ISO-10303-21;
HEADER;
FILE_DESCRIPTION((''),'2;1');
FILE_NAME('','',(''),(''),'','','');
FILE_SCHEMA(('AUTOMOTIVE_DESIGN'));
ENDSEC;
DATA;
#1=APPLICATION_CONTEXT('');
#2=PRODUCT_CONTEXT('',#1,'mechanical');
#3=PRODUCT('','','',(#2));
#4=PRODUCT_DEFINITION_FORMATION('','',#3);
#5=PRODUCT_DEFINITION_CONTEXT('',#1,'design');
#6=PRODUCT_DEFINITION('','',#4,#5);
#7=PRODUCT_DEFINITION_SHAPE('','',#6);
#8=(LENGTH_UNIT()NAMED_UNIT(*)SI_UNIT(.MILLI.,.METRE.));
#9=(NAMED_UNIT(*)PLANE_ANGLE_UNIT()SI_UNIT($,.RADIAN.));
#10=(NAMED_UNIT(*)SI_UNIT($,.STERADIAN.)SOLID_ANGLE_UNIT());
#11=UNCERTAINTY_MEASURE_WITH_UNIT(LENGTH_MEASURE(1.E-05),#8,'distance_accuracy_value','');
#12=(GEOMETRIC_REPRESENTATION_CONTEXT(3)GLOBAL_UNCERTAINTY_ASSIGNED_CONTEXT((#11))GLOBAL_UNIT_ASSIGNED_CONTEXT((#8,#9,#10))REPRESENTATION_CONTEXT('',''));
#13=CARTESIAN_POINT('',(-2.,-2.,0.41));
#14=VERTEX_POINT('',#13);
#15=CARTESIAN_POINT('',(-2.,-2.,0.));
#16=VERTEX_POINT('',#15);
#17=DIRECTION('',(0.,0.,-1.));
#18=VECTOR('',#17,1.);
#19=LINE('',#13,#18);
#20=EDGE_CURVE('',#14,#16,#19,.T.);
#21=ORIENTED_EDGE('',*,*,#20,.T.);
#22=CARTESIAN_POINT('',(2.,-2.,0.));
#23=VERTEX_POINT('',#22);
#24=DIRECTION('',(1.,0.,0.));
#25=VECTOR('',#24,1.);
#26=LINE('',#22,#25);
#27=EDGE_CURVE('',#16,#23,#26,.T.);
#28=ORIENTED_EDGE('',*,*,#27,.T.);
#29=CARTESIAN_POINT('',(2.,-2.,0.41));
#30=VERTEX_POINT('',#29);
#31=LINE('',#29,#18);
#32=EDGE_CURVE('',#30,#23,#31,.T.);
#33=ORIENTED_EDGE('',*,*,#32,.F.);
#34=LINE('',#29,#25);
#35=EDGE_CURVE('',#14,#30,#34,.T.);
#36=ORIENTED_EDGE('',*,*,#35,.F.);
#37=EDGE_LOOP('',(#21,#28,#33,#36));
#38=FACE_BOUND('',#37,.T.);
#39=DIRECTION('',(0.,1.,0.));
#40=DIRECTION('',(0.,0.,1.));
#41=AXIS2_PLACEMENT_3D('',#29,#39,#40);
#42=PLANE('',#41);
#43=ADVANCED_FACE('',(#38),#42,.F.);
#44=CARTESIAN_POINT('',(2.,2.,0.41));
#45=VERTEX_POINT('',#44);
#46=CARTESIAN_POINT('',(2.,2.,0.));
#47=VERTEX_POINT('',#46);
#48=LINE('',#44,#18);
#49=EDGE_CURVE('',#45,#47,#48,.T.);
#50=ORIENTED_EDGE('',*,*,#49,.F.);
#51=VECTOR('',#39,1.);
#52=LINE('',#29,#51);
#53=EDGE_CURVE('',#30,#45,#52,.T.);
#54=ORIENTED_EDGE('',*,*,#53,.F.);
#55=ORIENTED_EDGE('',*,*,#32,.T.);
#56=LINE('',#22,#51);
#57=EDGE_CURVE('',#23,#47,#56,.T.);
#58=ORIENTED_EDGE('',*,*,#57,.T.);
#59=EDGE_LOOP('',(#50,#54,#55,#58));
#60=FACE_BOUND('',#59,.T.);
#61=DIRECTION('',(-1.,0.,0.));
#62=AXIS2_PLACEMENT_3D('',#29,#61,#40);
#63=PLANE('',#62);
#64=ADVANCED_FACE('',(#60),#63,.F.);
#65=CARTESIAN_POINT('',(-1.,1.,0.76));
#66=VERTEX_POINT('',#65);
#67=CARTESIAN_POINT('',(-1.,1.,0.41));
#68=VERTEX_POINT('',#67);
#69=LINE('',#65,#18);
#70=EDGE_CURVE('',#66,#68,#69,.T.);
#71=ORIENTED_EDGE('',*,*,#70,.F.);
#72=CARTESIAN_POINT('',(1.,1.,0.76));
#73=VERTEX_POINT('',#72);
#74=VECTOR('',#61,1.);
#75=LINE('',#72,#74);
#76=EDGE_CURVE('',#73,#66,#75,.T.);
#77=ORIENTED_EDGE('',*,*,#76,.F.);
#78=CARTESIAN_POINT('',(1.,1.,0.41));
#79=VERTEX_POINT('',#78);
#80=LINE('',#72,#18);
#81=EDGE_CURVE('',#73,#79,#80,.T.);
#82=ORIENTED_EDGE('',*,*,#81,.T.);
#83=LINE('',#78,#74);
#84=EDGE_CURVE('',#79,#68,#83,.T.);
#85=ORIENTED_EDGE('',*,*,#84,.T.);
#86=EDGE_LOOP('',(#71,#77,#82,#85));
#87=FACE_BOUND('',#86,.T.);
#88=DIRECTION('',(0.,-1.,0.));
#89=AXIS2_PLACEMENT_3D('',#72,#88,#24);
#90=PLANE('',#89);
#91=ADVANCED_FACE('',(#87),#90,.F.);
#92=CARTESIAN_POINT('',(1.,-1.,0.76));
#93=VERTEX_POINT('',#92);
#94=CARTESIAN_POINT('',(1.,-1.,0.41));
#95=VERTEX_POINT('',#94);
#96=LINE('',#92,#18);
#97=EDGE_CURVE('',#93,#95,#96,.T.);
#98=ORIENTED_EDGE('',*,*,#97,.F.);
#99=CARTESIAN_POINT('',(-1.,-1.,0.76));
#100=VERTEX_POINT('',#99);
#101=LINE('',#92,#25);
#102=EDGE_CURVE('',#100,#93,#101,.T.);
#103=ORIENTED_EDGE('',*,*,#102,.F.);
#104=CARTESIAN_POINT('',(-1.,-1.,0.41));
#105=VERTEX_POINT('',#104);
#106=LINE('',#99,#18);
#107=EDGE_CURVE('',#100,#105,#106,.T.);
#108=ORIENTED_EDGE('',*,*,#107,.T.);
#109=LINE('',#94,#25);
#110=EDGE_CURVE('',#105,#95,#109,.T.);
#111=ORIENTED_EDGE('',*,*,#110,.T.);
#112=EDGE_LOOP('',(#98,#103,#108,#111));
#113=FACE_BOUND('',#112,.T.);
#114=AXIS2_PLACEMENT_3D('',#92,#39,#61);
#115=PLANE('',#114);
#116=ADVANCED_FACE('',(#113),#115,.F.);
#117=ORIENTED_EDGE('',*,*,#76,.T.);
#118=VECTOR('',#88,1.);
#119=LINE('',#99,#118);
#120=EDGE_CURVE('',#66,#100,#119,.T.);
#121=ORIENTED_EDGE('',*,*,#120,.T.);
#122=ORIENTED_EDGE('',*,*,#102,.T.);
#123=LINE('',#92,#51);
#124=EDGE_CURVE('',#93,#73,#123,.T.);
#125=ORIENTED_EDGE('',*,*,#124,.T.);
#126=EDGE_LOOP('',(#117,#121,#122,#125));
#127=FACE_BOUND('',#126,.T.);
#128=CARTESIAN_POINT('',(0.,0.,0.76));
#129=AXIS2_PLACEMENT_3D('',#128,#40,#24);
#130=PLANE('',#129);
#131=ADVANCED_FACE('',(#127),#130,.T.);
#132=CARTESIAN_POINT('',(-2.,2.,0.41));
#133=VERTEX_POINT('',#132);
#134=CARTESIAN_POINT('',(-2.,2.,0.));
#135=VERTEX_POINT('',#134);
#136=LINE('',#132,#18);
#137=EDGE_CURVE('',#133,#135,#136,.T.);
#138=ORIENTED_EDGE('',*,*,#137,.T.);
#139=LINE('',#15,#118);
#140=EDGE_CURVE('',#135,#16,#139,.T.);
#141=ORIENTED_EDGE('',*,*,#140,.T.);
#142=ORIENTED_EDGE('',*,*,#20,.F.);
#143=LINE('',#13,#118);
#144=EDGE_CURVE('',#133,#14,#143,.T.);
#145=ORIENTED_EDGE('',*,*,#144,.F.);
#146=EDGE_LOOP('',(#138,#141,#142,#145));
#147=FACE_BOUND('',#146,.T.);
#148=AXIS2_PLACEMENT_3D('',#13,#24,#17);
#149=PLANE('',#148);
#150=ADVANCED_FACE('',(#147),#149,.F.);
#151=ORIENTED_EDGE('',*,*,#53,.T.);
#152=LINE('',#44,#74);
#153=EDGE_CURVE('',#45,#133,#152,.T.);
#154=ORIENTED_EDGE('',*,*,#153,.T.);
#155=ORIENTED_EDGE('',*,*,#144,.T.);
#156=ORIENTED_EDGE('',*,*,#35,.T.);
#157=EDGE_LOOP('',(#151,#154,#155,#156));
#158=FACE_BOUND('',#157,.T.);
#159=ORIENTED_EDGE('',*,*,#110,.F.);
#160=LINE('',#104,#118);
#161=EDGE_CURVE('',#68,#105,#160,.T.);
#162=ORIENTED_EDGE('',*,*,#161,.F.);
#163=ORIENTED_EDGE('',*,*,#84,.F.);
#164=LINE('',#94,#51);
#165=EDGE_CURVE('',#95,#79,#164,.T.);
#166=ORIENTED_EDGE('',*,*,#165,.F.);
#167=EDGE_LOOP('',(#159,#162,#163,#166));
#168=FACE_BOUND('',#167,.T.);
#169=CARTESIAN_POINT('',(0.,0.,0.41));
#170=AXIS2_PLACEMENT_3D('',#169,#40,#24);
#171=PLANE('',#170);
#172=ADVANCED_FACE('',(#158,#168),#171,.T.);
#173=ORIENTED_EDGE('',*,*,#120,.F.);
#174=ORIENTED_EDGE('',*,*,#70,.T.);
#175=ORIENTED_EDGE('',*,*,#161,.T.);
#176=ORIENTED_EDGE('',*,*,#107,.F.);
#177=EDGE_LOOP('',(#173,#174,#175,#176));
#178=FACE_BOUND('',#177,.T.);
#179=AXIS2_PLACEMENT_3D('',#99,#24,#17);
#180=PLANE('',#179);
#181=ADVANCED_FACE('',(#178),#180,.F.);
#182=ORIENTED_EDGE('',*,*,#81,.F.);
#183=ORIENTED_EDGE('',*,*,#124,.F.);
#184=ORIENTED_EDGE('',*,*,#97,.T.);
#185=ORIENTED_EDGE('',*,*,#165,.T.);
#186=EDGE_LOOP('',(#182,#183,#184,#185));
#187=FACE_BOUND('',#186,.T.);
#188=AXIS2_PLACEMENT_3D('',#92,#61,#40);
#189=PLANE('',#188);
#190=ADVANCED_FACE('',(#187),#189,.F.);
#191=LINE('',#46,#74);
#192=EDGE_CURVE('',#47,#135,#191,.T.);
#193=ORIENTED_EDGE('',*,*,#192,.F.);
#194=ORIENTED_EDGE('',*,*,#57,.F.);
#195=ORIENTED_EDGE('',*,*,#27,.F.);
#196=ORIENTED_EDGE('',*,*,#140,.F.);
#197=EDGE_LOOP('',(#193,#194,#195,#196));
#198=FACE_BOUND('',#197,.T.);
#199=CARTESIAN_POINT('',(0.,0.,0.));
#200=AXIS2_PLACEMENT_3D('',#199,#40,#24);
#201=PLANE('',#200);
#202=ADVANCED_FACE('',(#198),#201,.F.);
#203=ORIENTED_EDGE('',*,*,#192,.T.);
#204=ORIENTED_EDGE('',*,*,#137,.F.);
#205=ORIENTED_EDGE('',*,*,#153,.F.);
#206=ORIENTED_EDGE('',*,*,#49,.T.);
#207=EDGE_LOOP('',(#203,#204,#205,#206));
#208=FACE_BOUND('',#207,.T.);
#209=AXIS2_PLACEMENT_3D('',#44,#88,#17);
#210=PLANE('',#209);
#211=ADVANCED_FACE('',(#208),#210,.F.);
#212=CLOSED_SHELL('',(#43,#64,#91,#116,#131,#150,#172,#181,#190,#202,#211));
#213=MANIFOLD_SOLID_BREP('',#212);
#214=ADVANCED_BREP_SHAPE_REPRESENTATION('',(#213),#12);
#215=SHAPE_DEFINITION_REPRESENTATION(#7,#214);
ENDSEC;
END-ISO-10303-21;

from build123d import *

# Parameters (mm, degrees)
SKETCH_1_W      = 4
SKETCH_1_H      = 4
EXTRUDE_1_DEPTH = 0.41
SKETCH_2_W      = 2
SKETCH_2_H      = 2
EXTRUDE_2_DEPTH = 0.35


with BuildPart() as part:
    # 草图1 → 凸台-拉伸1 (new body)
    with BuildSketch(Plane.XY):
        Rectangle(SKETCH_1_W, SKETCH_1_H)
    extrude(amount=EXTRUDE_1_DEPTH)

    # 草图2 → 凸台-拉伸2 (add)
    with BuildSketch(Plane.XY.offset(0.41)):
        Rectangle(SKETCH_2_W, SKETCH_2_H)
    extrude(amount=EXTRUDE_2_DEPTH)


solid = part.part
